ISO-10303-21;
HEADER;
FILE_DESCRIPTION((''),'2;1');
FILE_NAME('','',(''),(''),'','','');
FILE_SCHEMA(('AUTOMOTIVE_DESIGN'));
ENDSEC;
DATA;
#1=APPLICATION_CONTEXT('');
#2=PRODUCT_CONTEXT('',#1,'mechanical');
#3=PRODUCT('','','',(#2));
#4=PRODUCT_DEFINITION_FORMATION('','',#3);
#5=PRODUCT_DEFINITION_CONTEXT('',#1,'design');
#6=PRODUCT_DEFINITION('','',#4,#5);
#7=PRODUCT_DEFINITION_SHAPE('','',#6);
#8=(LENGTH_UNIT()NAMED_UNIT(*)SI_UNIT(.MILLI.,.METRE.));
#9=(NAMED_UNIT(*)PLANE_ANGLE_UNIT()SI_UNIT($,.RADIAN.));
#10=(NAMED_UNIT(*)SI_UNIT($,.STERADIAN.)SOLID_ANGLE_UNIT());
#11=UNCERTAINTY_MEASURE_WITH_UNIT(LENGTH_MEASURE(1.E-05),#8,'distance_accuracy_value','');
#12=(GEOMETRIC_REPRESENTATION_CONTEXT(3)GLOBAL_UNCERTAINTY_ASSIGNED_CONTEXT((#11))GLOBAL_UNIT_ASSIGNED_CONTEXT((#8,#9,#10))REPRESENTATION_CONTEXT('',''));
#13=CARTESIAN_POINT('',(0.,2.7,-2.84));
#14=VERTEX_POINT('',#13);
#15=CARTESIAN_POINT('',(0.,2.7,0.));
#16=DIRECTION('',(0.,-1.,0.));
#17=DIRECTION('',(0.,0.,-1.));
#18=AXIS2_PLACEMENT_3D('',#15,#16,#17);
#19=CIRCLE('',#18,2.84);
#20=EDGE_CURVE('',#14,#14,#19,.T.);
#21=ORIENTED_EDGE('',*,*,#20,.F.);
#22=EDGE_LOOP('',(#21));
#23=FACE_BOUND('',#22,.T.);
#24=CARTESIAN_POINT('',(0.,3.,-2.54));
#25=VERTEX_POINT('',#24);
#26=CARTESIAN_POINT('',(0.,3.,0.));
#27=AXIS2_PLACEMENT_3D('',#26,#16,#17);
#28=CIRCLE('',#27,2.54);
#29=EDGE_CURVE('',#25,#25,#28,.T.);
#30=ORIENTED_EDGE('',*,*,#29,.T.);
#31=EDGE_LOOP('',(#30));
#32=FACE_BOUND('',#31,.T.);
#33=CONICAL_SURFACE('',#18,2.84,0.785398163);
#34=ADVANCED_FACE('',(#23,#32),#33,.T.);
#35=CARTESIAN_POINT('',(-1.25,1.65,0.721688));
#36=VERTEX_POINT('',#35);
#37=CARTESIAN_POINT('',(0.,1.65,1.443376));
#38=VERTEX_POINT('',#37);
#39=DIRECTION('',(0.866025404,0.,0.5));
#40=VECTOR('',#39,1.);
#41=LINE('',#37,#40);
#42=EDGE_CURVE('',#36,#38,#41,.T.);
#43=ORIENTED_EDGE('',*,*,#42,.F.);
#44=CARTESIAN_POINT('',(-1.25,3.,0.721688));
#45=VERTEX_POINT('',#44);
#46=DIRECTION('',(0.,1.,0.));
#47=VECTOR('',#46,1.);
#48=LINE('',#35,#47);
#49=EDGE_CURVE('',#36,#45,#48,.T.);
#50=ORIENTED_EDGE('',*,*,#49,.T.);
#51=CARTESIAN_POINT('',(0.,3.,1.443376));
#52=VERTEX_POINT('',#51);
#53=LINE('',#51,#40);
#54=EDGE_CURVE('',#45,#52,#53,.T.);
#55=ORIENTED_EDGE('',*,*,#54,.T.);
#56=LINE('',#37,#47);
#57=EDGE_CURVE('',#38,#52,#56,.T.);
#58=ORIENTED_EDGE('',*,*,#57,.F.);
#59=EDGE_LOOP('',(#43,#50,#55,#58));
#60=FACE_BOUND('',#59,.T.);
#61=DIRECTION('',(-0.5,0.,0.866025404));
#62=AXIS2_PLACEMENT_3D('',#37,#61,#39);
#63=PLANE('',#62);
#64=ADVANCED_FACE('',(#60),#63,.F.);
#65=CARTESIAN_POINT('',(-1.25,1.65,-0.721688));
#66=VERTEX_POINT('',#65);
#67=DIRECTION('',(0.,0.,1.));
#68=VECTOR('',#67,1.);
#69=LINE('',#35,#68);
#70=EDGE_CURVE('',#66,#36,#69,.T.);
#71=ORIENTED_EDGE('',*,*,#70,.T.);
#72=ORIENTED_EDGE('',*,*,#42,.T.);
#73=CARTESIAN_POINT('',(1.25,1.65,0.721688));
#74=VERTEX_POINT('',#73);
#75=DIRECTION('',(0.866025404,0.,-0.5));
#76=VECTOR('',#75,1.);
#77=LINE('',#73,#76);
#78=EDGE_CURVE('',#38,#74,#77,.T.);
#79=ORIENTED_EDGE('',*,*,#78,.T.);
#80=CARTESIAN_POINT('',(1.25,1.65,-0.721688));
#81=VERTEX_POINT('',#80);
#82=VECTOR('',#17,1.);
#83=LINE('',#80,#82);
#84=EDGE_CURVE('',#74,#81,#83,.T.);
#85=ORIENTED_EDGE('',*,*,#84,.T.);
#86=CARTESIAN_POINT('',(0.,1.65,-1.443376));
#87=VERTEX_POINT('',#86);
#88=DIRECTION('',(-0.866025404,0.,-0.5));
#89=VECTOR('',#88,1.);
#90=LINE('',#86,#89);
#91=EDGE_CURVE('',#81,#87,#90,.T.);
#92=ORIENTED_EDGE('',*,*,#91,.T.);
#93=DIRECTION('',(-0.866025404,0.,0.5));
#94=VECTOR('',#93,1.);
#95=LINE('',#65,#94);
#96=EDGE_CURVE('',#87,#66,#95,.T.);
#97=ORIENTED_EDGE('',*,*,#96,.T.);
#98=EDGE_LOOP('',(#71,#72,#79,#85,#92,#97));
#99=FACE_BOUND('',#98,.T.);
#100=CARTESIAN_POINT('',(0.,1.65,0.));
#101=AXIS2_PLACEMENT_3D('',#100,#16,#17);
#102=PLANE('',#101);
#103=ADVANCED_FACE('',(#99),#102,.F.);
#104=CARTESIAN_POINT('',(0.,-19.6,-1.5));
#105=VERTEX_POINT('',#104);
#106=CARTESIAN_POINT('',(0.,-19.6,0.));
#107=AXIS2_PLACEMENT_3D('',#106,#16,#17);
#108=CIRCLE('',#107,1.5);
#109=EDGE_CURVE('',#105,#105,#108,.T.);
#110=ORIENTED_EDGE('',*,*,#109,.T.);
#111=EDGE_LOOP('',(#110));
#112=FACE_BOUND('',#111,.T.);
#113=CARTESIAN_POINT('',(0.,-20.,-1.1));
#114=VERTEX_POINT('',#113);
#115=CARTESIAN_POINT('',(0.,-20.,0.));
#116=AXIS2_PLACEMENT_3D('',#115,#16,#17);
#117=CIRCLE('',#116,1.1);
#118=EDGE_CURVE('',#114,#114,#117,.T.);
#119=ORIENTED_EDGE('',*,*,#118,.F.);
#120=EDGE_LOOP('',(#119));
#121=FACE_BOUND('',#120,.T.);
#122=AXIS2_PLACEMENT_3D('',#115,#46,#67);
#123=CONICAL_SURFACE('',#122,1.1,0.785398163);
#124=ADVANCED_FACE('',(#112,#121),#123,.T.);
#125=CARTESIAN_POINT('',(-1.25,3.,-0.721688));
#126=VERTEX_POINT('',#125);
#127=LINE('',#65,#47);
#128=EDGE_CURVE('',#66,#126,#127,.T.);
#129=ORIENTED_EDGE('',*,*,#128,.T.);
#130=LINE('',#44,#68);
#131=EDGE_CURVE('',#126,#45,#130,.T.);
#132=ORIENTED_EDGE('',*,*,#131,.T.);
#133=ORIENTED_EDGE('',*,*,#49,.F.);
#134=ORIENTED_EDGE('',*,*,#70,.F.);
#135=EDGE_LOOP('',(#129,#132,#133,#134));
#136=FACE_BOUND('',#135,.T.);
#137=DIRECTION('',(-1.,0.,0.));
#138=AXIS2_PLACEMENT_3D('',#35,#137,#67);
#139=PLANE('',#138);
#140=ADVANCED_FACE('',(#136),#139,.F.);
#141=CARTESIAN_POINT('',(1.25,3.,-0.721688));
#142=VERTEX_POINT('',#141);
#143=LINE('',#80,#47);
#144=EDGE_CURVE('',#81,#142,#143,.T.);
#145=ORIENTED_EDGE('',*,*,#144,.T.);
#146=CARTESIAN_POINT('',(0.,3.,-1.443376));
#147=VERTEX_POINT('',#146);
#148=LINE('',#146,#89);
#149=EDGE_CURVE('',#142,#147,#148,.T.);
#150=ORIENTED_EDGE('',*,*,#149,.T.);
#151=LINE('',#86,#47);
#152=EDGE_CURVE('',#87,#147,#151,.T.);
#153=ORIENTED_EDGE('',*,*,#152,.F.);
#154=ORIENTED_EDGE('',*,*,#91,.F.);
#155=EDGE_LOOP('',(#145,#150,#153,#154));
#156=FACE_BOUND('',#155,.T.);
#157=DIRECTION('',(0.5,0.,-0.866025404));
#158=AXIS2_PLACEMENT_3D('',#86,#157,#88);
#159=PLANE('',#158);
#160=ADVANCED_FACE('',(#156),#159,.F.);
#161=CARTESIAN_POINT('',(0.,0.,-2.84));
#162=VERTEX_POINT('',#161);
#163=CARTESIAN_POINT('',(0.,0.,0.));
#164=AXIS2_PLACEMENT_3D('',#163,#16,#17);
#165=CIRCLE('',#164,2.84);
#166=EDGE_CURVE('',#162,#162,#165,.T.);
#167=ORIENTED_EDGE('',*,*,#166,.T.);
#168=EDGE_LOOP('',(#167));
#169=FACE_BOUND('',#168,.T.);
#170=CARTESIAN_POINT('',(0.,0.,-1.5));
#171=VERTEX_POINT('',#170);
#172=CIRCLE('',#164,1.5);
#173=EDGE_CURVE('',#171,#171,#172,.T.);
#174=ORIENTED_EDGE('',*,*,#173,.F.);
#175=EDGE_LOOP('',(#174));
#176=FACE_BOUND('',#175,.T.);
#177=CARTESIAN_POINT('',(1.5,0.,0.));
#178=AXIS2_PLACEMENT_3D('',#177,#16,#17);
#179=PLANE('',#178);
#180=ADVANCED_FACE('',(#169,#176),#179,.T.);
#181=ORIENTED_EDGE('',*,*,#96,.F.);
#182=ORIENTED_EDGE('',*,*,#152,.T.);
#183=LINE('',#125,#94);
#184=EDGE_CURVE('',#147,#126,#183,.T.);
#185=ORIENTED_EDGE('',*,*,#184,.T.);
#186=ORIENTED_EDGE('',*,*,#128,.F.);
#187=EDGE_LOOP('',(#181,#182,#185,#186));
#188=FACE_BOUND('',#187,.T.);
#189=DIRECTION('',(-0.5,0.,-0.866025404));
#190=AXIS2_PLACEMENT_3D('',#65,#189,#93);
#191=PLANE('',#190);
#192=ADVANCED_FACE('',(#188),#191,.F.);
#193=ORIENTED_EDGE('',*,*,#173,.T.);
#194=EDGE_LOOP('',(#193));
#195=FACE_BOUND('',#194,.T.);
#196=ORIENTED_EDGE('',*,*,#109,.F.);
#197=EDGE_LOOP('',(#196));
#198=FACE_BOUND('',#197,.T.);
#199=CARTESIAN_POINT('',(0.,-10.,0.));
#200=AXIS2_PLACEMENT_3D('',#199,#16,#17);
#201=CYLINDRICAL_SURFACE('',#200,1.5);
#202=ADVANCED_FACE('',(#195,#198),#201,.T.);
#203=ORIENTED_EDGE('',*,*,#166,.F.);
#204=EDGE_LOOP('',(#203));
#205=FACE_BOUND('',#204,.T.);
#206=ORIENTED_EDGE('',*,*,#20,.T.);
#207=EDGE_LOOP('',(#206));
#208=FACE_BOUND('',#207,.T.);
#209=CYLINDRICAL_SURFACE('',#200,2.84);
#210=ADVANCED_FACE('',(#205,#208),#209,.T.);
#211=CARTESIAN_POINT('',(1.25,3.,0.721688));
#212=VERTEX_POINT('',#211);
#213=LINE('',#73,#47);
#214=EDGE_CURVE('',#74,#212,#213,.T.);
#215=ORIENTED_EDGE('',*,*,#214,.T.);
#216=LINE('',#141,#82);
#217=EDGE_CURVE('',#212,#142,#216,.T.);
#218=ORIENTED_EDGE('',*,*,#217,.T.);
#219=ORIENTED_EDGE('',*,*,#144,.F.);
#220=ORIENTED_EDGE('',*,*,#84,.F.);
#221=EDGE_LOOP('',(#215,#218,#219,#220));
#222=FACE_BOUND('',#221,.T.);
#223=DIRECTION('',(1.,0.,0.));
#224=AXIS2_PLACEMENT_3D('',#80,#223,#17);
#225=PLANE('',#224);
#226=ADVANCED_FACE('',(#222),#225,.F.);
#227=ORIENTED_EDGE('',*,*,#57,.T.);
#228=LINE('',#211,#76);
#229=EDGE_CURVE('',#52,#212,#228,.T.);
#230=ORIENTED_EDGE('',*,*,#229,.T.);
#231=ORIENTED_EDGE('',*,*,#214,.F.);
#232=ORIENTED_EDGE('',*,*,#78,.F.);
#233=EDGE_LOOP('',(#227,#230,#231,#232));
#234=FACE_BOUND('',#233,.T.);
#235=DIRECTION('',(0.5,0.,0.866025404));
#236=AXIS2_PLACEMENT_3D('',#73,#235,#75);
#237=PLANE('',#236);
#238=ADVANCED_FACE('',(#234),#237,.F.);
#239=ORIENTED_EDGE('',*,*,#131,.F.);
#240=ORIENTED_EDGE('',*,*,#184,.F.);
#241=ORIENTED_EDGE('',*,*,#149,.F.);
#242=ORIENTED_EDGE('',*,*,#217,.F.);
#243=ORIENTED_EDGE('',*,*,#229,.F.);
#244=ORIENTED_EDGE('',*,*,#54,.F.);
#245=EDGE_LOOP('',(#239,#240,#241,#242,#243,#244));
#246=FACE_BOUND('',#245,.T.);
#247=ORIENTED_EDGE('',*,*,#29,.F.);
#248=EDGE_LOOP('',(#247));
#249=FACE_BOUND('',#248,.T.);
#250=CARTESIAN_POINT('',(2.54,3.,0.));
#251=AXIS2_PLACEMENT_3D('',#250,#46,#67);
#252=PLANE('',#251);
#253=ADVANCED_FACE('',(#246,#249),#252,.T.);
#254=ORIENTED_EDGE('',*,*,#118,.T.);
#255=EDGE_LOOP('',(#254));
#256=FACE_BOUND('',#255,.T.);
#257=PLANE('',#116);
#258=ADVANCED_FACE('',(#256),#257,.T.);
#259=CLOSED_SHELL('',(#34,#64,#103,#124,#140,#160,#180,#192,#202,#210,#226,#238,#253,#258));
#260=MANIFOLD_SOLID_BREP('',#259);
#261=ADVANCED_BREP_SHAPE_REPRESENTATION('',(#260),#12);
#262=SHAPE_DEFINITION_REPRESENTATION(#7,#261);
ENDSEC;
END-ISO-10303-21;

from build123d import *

# Parameters (mm, degrees)
CUT_EXTRUDE1_DEPTH = 1.35


with BuildPart() as part:
    # Sketch1 → Revolve1 (revolve)
    with BuildSketch(Plane.XY, mode=Mode.PRIVATE) as revolve1_sk:
        Polygon((0, -20), (1.1, -20), (1.5, -19.6), (1.5, 0), (2.84, 0), (2.84, 2.7), (2.54, 3), (0, 3), align=None)
    revolve(revolve1_sk.sketch.rotate(Axis((0, -10, 0), (0, 1, 0)), 90), axis=Axis((0, -10, 0), (0, 1, 0)))

    # Sketch2 → Cut-Extrude1 (cut)
    with BuildSketch(Plane(origin=(0, 3, 0), x_dir=(1, 0, 0), z_dir=(0, 1, 0))):
        Polygon((1.25, -0.721687836), (0, -1.443375673), (-1.25, -0.721687836), (-1.25, 0.721687836), (0, 1.443375673), (1.25, 0.721687836), align=None)
    extrude(amount=-CUT_EXTRUDE1_DEPTH, mode=Mode.SUBTRACT)


solid = part.part
